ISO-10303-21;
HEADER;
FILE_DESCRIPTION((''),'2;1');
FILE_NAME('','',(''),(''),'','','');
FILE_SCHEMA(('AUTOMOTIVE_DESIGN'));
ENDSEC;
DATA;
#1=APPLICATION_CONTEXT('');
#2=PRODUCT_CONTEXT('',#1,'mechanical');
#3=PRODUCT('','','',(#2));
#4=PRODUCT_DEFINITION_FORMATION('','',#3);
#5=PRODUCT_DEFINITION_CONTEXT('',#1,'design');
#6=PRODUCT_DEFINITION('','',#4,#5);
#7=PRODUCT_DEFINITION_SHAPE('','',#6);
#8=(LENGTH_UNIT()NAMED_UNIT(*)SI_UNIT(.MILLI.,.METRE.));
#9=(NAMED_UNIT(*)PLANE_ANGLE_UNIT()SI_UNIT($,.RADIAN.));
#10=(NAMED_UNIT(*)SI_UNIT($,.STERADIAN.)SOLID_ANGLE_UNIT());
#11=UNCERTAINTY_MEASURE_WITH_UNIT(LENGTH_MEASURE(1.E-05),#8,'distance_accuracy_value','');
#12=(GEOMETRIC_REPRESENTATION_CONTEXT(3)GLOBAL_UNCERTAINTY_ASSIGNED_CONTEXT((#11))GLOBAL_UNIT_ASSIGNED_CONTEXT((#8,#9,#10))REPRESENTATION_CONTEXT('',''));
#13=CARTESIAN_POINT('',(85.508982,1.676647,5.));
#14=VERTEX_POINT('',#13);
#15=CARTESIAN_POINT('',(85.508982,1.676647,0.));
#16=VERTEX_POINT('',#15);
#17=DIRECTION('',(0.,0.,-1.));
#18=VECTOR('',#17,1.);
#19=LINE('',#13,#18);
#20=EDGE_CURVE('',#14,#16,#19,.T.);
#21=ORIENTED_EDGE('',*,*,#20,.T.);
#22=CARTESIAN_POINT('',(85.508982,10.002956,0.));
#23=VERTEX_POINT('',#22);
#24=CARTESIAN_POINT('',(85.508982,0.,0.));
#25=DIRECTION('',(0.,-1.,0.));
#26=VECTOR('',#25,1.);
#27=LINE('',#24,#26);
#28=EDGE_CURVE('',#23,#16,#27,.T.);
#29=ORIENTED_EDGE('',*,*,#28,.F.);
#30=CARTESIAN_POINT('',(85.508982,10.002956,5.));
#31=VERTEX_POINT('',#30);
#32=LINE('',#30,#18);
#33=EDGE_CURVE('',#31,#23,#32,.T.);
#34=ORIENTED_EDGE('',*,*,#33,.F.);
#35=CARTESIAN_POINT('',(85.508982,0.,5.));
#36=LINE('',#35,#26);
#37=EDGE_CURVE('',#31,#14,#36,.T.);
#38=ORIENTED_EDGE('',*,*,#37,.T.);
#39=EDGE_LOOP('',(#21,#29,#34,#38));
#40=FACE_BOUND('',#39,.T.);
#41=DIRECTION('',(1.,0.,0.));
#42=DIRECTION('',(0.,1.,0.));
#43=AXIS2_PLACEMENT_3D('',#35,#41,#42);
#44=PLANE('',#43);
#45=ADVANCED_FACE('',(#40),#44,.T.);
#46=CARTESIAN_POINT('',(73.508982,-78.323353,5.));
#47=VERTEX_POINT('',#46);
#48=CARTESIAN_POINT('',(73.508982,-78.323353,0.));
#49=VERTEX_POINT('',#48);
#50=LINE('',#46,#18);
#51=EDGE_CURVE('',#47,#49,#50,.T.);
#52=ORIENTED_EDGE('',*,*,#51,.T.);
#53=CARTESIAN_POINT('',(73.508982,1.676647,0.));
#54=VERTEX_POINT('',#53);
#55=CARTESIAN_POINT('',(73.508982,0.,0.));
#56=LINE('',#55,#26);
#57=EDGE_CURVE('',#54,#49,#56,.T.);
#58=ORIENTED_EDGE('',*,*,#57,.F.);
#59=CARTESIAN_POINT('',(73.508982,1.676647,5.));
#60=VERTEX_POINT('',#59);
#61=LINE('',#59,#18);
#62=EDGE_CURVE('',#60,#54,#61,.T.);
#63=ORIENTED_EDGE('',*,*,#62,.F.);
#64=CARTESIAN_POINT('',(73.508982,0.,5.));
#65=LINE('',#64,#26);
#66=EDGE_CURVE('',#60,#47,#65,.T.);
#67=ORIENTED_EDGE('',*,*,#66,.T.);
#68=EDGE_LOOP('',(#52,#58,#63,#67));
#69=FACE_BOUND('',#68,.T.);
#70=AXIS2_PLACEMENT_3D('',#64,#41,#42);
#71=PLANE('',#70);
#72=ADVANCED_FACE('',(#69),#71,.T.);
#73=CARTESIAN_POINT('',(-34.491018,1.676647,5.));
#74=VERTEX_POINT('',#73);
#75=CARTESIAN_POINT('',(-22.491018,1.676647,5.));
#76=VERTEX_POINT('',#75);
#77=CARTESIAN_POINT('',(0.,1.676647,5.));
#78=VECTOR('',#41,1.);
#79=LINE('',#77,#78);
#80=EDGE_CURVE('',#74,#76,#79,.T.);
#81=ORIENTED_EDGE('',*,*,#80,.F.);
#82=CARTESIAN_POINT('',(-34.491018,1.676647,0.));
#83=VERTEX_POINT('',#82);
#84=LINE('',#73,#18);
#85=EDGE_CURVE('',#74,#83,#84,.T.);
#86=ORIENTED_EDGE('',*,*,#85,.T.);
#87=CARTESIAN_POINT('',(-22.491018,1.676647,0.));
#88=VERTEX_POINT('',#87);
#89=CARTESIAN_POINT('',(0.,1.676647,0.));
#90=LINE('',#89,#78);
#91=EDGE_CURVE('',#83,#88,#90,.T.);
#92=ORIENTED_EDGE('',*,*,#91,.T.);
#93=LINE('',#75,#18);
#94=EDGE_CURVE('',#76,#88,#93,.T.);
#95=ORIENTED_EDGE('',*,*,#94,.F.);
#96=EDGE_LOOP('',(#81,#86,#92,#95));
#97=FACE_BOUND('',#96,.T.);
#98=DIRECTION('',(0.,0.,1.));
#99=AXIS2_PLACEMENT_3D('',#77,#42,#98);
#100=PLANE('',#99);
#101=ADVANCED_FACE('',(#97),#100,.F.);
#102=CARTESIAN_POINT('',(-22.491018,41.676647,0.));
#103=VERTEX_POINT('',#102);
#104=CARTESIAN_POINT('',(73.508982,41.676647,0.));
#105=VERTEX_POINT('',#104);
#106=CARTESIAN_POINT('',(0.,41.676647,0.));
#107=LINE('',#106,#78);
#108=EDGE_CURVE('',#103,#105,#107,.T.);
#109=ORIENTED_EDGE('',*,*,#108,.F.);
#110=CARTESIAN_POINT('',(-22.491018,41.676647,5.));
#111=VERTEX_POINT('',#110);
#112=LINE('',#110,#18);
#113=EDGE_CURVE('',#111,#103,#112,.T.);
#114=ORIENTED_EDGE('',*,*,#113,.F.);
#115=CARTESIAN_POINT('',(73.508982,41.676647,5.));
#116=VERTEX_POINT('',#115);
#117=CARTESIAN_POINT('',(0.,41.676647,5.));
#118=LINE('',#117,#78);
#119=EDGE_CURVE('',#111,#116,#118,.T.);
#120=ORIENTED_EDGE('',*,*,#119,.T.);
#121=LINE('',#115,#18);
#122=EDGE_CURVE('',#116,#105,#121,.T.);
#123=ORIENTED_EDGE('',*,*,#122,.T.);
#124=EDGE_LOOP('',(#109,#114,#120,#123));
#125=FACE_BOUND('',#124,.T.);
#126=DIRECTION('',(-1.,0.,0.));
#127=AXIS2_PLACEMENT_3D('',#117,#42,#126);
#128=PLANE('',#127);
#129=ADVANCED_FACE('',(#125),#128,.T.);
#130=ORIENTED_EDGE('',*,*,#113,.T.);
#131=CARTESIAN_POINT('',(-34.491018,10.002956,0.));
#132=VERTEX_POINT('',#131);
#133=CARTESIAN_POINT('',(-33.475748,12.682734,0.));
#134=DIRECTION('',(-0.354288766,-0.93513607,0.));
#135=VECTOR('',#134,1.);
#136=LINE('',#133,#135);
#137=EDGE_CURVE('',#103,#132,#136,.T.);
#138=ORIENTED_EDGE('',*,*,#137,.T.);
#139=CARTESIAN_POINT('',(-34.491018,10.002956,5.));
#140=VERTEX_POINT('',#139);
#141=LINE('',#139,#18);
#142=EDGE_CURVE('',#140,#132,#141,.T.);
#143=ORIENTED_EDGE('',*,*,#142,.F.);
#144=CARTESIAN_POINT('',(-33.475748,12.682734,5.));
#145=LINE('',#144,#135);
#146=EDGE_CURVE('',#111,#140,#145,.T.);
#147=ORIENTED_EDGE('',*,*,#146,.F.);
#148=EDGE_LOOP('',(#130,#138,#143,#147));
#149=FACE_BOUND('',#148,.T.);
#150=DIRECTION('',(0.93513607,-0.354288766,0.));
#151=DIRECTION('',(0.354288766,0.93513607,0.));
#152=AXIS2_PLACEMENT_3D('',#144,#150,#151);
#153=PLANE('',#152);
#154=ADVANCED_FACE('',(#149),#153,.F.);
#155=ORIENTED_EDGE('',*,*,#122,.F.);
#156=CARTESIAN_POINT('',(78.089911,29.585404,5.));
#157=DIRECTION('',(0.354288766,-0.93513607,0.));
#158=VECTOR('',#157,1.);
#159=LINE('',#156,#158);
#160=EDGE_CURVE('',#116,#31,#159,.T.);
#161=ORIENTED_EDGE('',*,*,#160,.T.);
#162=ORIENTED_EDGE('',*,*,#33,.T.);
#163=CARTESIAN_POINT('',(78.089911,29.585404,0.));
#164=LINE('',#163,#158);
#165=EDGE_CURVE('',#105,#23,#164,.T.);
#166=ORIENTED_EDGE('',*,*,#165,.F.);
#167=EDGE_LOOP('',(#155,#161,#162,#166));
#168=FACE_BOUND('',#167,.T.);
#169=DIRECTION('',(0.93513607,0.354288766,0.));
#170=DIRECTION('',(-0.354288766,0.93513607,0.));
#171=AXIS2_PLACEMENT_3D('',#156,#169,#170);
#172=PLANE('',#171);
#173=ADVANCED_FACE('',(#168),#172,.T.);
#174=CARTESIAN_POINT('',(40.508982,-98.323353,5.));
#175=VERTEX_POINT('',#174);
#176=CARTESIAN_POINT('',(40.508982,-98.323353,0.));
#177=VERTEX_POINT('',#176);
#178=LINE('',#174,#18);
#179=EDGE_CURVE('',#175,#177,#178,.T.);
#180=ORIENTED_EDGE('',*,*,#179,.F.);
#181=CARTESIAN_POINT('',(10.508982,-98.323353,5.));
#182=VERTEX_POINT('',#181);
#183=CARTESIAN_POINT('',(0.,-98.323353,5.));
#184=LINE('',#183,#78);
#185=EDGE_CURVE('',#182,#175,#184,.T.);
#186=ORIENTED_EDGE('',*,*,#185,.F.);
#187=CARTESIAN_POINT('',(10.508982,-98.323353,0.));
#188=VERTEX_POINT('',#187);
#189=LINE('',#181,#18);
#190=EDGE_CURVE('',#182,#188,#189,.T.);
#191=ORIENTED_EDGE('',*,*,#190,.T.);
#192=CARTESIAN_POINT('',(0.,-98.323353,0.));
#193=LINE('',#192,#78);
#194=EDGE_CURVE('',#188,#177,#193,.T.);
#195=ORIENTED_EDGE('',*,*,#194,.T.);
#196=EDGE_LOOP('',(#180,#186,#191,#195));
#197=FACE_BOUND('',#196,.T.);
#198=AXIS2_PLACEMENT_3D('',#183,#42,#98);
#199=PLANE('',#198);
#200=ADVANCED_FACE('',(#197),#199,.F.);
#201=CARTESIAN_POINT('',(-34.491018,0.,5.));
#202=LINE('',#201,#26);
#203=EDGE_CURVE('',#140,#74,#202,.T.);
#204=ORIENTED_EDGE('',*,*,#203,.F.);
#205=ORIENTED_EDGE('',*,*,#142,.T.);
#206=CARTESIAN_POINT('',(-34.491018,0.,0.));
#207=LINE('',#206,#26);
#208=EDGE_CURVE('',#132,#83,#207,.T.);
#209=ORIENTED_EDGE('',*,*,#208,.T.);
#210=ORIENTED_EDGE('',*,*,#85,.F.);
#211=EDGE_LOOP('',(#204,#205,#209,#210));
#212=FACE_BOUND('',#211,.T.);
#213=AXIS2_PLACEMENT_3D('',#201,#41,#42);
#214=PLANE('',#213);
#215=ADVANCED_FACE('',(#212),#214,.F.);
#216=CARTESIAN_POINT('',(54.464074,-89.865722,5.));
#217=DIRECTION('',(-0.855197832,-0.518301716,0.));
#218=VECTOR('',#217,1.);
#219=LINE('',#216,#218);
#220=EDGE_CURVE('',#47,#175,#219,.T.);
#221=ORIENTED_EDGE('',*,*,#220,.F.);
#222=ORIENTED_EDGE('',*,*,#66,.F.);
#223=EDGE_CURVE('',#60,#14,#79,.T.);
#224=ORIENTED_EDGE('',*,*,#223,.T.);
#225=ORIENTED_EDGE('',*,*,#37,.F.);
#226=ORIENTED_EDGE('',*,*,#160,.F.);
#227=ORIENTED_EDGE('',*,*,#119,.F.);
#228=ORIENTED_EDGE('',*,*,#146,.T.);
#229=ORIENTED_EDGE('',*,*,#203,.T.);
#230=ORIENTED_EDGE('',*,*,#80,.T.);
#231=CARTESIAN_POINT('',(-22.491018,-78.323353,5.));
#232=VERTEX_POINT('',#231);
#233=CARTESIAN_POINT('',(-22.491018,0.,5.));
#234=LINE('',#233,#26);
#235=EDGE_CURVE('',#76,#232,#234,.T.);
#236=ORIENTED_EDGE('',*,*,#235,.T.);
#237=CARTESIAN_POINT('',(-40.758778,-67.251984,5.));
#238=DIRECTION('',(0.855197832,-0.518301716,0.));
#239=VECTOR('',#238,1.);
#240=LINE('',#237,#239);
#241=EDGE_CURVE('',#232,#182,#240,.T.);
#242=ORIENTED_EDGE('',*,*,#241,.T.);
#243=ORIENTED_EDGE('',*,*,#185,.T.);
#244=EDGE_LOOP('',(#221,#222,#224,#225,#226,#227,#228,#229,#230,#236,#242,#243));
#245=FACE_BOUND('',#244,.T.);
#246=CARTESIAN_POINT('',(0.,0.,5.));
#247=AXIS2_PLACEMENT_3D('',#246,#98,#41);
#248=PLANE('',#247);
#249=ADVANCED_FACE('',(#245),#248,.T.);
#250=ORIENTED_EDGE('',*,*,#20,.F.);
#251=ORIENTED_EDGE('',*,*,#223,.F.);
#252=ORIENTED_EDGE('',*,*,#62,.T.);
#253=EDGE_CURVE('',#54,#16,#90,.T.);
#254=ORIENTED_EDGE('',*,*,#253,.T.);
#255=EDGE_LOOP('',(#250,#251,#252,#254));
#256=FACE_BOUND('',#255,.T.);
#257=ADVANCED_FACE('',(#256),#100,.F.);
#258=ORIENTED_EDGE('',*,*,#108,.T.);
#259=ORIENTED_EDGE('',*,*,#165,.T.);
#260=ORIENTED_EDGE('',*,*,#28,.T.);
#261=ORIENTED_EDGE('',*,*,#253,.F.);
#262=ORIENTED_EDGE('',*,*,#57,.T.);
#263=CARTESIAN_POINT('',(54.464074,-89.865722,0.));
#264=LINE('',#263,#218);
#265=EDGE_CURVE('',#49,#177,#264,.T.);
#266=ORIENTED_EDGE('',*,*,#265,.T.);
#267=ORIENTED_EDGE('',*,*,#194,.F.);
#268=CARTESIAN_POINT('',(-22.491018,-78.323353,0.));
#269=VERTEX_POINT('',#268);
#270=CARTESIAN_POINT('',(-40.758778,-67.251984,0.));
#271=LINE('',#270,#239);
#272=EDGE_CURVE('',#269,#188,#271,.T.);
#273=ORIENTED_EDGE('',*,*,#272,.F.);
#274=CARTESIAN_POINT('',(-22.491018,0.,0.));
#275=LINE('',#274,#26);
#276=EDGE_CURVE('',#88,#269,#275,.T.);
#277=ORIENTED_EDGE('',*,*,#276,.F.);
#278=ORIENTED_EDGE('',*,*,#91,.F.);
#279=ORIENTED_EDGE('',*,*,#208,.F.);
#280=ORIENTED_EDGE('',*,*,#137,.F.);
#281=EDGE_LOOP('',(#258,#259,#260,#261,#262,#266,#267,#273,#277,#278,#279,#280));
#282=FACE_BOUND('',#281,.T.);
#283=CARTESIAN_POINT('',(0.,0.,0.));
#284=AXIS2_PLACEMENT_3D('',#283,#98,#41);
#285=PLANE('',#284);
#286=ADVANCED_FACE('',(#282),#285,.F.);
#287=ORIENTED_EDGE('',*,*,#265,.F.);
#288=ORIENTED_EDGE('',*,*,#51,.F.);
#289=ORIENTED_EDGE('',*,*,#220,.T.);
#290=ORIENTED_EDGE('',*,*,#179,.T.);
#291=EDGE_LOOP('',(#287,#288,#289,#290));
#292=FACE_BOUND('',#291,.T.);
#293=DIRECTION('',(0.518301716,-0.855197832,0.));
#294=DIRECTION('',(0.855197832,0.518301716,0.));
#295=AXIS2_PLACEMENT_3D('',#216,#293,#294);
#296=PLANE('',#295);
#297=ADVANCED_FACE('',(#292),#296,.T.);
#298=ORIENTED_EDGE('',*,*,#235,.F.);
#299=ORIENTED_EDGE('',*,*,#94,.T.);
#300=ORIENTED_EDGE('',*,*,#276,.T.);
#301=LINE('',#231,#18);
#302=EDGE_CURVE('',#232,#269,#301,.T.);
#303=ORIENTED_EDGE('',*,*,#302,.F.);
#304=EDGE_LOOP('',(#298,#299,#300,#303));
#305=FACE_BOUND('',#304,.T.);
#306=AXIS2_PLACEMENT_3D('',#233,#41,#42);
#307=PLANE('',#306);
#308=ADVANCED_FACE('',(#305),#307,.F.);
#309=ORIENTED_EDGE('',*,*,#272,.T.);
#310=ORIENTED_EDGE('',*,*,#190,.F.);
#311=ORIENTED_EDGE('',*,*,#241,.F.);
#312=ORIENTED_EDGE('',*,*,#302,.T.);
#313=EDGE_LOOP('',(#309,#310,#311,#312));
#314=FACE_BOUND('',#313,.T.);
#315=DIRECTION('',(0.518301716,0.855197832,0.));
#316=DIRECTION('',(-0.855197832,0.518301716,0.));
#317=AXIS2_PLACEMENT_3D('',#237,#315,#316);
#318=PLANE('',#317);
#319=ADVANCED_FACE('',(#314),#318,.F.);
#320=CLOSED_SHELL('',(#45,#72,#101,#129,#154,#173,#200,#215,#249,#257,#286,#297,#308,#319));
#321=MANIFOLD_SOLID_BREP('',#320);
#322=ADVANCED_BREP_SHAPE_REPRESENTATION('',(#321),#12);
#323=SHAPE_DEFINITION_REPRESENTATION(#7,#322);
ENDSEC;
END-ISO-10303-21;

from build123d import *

# Parameters (mm, degrees)
SKETCH1_W           = 48
SKETCH1_H           = 80
BOSS_EXTRUDE1_DEPTH = 5


with BuildPart() as part:
    # Sketch1 → Boss-Extrude1 (new body)
    with BuildSketch(Plane.XY):
        Polygon((25.508982036, 41.676646707), (-22.491017964, 41.676646707), (-34.491017964, 10.002955871), (-34.491017964, 1.676646707), (-22.491017964, 1.676646707), (25.508982036, 1.676646707), align=None)
        Polygon((73.508982036, 41.676646707), (25.508982036, 41.676646707), (25.508982036, 1.676646707), (73.508982036, 1.676646707), (85.508982036, 1.676646707), (85.508982036, 10.002955871), align=None)
        with Locations((1.508982036, -38.323353293)):
            Rectangle(SKETCH1_W, SKETCH1_H)
        with Locations((49.508982036, -38.323353293)):
            Rectangle(SKETCH1_W, SKETCH1_H)
        Polygon((25.508982036, -98.323353293), (25.508982036, -78.323353293), (-22.491017964, -78.323353293), (10.508982036, -98.323353293), align=None)
        Polygon((73.508982036, -78.323353293), (25.508982036, -78.323353293), (25.508982036, -98.323353293), (40.508982036, -98.323353293), align=None)
    extrude(amount=BOSS_EXTRUDE1_DEPTH)


solid = part.part
